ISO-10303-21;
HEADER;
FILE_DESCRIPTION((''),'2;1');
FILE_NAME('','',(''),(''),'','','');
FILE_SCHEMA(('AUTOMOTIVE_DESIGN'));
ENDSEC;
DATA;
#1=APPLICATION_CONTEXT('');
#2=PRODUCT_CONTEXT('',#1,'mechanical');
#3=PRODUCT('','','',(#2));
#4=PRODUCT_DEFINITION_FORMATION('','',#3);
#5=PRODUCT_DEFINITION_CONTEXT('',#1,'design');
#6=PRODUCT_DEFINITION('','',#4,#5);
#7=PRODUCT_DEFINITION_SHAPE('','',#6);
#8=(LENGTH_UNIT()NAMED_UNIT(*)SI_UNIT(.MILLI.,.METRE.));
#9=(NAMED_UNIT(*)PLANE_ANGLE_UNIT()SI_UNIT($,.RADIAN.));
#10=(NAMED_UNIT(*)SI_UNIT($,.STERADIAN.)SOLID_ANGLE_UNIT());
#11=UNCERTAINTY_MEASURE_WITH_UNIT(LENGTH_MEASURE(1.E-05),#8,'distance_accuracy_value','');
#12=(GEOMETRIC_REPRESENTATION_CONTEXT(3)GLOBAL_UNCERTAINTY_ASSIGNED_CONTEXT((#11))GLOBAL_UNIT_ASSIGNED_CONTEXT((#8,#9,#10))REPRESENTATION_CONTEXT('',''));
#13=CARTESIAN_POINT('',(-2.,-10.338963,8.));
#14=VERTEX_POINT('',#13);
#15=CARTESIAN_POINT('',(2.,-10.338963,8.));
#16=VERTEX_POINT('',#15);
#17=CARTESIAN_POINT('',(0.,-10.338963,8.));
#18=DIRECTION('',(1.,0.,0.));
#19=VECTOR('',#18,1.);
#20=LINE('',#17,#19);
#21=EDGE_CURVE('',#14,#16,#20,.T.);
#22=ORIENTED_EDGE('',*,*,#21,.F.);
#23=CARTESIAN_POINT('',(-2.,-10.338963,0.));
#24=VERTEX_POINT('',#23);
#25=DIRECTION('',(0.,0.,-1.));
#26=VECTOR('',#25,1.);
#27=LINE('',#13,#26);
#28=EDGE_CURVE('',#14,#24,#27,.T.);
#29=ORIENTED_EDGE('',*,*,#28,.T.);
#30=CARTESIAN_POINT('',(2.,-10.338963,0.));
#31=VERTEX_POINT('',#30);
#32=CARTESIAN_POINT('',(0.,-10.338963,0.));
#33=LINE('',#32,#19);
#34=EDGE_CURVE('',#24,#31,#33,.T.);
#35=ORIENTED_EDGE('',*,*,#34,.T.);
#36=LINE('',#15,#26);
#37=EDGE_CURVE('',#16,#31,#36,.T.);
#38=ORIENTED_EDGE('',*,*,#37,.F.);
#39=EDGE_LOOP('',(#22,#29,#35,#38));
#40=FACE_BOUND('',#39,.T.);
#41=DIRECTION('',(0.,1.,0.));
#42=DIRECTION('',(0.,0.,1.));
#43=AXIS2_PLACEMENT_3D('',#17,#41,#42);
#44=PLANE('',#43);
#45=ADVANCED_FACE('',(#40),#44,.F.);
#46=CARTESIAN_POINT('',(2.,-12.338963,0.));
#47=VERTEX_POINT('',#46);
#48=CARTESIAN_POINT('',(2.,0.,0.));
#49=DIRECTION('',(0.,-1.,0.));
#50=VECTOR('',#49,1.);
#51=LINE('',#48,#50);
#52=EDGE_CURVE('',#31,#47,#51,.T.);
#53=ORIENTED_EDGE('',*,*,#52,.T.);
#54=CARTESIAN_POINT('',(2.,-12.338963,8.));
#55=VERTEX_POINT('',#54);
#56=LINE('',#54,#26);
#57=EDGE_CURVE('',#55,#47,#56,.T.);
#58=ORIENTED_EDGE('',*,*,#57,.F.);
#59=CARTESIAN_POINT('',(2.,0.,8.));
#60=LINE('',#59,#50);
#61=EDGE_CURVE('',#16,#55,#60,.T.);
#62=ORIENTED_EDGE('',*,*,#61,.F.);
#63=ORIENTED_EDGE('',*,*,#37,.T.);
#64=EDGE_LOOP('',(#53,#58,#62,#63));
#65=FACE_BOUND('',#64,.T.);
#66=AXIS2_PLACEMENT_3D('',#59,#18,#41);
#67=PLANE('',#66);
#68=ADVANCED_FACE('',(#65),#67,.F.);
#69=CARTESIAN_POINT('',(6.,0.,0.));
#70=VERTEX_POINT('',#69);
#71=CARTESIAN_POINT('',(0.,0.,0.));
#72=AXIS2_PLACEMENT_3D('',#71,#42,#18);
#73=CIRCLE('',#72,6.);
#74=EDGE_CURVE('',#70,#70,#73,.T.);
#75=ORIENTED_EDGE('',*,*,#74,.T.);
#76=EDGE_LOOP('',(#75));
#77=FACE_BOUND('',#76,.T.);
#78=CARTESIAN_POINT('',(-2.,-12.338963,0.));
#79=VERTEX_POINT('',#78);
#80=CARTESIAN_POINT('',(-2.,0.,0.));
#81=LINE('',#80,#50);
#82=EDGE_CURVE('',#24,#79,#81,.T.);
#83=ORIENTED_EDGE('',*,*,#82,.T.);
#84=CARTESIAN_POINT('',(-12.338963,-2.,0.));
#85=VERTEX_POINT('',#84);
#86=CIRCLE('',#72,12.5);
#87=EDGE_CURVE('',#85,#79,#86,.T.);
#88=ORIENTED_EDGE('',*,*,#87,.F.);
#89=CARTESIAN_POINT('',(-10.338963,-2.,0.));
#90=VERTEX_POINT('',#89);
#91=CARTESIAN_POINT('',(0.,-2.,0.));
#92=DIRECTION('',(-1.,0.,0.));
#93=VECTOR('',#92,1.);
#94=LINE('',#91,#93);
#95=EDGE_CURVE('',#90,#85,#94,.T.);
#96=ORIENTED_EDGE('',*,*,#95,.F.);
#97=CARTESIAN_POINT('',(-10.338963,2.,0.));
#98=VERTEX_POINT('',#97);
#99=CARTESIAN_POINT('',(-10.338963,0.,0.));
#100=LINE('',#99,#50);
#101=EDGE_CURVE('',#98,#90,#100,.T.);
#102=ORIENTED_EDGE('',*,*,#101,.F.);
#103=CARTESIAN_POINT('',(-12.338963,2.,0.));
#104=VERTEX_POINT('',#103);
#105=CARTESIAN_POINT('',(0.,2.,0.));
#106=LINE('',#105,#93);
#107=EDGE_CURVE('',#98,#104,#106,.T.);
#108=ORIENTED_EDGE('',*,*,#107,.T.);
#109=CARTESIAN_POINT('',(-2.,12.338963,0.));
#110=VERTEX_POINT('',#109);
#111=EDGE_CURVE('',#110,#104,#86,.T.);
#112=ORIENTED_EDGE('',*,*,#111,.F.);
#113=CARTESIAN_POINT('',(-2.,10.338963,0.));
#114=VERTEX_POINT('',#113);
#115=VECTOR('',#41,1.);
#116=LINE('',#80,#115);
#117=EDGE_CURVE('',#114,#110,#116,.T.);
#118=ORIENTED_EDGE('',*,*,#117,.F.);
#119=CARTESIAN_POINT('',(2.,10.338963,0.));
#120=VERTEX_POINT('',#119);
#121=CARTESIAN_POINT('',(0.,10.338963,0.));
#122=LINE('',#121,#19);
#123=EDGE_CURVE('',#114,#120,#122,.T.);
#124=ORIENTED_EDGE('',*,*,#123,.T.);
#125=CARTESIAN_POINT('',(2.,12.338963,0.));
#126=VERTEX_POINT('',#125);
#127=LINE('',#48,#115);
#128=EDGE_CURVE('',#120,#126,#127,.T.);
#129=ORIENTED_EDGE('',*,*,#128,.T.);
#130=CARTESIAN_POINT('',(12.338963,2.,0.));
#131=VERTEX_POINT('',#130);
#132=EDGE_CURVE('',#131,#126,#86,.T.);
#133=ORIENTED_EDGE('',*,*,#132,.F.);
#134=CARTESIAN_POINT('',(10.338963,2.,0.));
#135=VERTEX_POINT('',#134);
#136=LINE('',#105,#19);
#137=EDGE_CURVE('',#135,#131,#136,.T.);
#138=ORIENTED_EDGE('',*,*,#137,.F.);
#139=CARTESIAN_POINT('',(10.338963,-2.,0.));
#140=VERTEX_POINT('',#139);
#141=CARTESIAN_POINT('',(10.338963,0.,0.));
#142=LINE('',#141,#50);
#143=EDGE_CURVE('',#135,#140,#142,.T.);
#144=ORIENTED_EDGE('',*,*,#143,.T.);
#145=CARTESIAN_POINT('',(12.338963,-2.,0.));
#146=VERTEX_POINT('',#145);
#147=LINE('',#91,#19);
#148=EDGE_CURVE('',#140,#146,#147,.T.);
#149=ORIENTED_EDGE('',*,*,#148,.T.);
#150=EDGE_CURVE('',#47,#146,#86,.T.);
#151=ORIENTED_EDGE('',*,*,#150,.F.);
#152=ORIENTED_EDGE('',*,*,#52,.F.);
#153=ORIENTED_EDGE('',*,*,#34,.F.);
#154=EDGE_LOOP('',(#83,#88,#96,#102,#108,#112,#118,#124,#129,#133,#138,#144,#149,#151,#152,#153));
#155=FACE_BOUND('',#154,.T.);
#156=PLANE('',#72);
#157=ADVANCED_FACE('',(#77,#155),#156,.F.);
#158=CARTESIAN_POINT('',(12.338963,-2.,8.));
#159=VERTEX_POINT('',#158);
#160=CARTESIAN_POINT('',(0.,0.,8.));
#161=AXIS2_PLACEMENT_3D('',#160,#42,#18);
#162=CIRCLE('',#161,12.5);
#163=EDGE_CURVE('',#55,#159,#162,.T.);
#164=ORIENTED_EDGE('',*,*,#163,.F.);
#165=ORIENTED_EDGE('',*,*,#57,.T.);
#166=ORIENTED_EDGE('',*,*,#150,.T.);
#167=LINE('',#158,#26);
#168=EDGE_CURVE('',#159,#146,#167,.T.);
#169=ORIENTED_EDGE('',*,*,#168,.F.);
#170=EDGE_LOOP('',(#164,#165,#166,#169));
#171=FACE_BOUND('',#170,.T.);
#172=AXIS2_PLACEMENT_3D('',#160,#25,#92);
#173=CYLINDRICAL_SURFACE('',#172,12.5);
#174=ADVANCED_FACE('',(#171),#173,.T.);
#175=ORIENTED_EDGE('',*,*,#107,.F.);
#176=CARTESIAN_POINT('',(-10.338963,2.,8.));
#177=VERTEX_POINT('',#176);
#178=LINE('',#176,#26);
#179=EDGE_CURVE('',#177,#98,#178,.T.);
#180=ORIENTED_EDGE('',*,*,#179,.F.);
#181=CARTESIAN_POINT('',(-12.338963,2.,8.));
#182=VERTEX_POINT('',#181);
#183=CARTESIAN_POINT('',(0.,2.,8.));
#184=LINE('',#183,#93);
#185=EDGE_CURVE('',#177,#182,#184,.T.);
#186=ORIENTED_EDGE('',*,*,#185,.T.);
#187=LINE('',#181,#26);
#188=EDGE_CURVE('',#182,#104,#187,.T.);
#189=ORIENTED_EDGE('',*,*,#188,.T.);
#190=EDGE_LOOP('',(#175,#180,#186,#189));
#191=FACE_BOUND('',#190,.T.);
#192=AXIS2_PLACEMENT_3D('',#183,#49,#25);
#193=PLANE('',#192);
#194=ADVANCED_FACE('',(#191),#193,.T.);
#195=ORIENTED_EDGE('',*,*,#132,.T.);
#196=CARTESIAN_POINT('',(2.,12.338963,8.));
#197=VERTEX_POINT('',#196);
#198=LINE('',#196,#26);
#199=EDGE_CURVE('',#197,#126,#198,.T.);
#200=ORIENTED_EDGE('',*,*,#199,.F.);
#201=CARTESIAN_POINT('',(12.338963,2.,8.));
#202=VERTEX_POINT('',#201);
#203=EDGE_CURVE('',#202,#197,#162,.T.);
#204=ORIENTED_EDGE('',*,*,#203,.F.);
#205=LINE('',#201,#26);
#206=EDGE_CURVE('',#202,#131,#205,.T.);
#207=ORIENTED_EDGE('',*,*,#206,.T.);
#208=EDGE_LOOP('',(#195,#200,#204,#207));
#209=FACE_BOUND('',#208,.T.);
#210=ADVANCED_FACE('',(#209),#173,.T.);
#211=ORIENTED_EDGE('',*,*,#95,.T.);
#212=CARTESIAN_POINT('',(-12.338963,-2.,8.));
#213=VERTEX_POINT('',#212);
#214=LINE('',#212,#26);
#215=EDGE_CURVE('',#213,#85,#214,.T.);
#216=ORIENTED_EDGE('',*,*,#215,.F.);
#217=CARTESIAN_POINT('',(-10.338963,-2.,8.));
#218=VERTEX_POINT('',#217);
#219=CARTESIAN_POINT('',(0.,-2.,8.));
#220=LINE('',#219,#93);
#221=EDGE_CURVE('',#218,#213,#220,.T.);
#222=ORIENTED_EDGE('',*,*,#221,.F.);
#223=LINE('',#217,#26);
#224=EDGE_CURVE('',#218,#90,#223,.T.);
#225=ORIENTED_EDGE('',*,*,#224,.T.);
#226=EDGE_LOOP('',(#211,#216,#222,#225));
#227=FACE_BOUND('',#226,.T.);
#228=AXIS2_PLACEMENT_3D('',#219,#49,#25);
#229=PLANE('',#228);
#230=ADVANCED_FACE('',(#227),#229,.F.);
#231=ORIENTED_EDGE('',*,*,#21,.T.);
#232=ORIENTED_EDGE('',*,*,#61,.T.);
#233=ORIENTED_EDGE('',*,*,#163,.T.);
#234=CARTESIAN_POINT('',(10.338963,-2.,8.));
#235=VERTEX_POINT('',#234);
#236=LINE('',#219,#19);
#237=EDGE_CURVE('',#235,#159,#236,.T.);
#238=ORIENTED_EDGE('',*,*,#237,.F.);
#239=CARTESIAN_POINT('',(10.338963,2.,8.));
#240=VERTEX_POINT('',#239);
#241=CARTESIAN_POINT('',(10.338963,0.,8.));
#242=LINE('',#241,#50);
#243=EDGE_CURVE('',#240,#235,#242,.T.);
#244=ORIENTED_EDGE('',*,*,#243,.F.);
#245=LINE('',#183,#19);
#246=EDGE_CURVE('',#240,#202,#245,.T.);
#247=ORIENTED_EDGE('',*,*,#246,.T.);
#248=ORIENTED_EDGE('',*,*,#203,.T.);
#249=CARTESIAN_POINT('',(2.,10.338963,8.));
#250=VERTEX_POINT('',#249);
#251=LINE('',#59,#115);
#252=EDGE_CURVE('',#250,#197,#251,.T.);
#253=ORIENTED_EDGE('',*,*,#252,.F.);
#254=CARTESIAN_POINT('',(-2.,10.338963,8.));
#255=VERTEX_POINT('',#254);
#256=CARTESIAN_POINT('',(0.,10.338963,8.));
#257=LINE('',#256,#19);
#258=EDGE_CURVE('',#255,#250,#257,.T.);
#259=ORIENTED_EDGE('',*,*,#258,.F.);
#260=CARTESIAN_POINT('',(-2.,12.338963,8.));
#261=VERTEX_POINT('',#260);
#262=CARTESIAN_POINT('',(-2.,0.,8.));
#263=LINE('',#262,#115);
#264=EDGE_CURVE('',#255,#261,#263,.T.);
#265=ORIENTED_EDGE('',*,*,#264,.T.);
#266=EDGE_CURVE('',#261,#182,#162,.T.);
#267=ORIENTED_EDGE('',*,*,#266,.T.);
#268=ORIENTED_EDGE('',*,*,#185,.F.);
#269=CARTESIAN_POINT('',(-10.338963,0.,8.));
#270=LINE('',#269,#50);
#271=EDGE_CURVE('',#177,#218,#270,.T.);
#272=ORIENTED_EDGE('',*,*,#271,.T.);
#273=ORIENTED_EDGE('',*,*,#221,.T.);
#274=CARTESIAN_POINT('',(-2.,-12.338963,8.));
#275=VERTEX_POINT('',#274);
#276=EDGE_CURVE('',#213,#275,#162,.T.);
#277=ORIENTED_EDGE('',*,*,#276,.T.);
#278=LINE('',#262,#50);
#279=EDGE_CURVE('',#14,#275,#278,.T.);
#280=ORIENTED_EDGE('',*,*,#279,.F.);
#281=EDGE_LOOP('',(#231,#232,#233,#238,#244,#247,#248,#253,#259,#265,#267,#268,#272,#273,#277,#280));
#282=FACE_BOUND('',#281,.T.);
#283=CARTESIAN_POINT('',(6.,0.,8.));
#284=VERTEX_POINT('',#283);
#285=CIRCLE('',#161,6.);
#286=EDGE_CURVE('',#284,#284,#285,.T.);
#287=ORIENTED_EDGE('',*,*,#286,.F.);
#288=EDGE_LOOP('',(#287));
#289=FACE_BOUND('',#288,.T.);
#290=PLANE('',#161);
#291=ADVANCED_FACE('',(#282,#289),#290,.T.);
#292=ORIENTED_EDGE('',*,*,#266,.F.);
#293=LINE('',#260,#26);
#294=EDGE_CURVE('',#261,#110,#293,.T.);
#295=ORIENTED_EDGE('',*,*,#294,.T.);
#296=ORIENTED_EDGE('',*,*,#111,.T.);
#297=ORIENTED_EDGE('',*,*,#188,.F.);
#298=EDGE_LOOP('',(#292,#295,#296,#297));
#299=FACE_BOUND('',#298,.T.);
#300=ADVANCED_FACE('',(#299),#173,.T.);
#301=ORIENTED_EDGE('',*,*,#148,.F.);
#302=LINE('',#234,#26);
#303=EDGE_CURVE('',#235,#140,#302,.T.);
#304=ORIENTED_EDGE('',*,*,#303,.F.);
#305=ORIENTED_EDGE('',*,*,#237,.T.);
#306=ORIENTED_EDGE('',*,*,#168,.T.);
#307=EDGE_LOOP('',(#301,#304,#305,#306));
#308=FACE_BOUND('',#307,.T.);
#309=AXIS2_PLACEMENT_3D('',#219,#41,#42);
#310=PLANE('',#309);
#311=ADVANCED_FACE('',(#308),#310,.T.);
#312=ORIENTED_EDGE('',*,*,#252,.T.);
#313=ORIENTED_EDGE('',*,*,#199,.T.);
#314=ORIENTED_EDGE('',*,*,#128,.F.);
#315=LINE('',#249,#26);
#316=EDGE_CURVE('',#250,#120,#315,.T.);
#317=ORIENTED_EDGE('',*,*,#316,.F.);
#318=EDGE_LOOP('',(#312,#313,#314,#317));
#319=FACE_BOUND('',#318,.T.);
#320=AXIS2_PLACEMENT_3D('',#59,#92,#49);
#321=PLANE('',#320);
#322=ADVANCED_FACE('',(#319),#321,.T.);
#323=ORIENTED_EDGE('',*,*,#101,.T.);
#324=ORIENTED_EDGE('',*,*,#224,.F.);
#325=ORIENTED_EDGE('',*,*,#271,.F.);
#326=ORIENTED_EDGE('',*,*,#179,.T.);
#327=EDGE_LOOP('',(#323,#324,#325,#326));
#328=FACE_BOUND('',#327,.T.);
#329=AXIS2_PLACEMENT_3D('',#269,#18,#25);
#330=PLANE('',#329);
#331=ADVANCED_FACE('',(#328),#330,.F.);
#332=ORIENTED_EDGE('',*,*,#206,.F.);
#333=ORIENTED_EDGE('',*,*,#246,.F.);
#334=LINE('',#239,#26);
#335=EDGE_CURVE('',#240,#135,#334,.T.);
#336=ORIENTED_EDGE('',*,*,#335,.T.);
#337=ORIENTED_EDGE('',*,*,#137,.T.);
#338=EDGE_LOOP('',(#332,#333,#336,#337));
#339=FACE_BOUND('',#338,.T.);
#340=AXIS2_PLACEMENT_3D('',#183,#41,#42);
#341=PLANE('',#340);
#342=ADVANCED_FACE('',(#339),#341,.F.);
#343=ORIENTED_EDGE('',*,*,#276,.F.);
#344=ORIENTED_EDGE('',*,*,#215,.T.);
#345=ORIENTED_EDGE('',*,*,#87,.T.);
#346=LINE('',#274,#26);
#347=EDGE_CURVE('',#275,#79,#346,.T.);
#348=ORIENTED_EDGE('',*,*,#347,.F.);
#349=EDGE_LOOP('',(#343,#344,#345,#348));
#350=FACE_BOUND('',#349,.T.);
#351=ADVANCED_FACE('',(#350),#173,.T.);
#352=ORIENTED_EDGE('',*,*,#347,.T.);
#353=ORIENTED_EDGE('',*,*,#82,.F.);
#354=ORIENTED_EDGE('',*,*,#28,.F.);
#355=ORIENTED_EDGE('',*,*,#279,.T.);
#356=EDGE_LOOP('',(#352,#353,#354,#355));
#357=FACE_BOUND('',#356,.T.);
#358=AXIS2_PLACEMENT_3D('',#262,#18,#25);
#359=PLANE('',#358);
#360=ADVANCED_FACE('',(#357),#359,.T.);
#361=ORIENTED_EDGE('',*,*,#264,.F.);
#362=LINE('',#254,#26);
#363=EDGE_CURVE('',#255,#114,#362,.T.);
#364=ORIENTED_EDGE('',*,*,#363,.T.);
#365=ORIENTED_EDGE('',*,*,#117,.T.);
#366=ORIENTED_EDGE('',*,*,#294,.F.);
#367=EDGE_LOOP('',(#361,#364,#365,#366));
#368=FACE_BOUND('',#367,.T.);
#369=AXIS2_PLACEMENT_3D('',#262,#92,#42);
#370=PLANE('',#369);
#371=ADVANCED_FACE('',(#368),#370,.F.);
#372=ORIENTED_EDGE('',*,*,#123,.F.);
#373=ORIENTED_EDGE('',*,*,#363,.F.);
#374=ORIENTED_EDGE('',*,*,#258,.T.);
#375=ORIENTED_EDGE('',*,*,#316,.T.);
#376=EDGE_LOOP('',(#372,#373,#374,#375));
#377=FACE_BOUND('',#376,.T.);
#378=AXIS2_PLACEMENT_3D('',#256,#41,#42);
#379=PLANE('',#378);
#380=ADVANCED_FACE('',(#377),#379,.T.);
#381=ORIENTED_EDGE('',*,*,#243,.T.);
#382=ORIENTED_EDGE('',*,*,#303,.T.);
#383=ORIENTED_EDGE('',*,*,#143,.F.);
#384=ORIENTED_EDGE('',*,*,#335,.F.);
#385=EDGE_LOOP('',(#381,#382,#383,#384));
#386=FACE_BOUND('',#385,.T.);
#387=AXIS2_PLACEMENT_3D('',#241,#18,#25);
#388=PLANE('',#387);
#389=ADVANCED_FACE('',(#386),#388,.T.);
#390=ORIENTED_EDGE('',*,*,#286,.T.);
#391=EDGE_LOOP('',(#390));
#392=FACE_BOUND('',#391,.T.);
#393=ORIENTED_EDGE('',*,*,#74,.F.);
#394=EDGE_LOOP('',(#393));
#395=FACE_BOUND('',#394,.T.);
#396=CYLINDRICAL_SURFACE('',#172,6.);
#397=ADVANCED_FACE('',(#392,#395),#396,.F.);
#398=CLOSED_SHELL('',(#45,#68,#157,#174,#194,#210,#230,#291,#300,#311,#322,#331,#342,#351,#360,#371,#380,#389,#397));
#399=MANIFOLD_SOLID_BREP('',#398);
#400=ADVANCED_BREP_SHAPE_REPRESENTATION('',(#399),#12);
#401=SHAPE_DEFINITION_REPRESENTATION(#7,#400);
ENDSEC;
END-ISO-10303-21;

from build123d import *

# Parameters (mm, degrees)
ESBO_O1_R                = 6
RESSALTO_EXTRUS_O1_DEPTH = 8


with BuildPart() as part:
    # Esboço1 → Ressalto-extrusão1 (new body)
    with BuildSketch(Plane.XY):
        with BuildLine():
            Line((2, 10.338962679), (-2, 10.338962679))
            Line((-2, 10.338962679), (-2, 12.338962679))
            ThreePointArc((-2, 12.338962679), (-8.838834765, 8.838834765), (-12.338962679, 2))
            Line((-12.338962679, 2), (-10.338962679, 2))
            Line((-10.338962679, 2), (-10.338962679, -2))
            Line((-10.338962679, -2), (-12.338962679, -2))
            ThreePointArc((-12.338962679, -2), (-8.838834765, -8.838834765), (-2, -12.338962679))
            Line((-2, -12.338962679), (-2, -10.338962679))
            Line((-2, -10.338962679), (2, -10.338962679))
            Line((2, -10.338962679), (2, -12.338962679))
            ThreePointArc((2, -12.338962679), (8.838834765, -8.838834765), (12.338962679, -2))
            Line((12.338962679, -2), (10.338962679, -2))
            Line((10.338962679, -2), (10.338962679, 2))
            Line((10.338962679, 2), (12.338962679, 2))
            ThreePointArc((12.338962679, 2), (8.838834765, 8.838834765), (2, 12.338962679))
            Line((2, 12.338962679), (2, 10.338962679))
        make_face()
        Circle(ESBO_O1_R, mode=Mode.SUBTRACT)
    extrude(amount=RESSALTO_EXTRUS_O1_DEPTH)


solid = part.part
